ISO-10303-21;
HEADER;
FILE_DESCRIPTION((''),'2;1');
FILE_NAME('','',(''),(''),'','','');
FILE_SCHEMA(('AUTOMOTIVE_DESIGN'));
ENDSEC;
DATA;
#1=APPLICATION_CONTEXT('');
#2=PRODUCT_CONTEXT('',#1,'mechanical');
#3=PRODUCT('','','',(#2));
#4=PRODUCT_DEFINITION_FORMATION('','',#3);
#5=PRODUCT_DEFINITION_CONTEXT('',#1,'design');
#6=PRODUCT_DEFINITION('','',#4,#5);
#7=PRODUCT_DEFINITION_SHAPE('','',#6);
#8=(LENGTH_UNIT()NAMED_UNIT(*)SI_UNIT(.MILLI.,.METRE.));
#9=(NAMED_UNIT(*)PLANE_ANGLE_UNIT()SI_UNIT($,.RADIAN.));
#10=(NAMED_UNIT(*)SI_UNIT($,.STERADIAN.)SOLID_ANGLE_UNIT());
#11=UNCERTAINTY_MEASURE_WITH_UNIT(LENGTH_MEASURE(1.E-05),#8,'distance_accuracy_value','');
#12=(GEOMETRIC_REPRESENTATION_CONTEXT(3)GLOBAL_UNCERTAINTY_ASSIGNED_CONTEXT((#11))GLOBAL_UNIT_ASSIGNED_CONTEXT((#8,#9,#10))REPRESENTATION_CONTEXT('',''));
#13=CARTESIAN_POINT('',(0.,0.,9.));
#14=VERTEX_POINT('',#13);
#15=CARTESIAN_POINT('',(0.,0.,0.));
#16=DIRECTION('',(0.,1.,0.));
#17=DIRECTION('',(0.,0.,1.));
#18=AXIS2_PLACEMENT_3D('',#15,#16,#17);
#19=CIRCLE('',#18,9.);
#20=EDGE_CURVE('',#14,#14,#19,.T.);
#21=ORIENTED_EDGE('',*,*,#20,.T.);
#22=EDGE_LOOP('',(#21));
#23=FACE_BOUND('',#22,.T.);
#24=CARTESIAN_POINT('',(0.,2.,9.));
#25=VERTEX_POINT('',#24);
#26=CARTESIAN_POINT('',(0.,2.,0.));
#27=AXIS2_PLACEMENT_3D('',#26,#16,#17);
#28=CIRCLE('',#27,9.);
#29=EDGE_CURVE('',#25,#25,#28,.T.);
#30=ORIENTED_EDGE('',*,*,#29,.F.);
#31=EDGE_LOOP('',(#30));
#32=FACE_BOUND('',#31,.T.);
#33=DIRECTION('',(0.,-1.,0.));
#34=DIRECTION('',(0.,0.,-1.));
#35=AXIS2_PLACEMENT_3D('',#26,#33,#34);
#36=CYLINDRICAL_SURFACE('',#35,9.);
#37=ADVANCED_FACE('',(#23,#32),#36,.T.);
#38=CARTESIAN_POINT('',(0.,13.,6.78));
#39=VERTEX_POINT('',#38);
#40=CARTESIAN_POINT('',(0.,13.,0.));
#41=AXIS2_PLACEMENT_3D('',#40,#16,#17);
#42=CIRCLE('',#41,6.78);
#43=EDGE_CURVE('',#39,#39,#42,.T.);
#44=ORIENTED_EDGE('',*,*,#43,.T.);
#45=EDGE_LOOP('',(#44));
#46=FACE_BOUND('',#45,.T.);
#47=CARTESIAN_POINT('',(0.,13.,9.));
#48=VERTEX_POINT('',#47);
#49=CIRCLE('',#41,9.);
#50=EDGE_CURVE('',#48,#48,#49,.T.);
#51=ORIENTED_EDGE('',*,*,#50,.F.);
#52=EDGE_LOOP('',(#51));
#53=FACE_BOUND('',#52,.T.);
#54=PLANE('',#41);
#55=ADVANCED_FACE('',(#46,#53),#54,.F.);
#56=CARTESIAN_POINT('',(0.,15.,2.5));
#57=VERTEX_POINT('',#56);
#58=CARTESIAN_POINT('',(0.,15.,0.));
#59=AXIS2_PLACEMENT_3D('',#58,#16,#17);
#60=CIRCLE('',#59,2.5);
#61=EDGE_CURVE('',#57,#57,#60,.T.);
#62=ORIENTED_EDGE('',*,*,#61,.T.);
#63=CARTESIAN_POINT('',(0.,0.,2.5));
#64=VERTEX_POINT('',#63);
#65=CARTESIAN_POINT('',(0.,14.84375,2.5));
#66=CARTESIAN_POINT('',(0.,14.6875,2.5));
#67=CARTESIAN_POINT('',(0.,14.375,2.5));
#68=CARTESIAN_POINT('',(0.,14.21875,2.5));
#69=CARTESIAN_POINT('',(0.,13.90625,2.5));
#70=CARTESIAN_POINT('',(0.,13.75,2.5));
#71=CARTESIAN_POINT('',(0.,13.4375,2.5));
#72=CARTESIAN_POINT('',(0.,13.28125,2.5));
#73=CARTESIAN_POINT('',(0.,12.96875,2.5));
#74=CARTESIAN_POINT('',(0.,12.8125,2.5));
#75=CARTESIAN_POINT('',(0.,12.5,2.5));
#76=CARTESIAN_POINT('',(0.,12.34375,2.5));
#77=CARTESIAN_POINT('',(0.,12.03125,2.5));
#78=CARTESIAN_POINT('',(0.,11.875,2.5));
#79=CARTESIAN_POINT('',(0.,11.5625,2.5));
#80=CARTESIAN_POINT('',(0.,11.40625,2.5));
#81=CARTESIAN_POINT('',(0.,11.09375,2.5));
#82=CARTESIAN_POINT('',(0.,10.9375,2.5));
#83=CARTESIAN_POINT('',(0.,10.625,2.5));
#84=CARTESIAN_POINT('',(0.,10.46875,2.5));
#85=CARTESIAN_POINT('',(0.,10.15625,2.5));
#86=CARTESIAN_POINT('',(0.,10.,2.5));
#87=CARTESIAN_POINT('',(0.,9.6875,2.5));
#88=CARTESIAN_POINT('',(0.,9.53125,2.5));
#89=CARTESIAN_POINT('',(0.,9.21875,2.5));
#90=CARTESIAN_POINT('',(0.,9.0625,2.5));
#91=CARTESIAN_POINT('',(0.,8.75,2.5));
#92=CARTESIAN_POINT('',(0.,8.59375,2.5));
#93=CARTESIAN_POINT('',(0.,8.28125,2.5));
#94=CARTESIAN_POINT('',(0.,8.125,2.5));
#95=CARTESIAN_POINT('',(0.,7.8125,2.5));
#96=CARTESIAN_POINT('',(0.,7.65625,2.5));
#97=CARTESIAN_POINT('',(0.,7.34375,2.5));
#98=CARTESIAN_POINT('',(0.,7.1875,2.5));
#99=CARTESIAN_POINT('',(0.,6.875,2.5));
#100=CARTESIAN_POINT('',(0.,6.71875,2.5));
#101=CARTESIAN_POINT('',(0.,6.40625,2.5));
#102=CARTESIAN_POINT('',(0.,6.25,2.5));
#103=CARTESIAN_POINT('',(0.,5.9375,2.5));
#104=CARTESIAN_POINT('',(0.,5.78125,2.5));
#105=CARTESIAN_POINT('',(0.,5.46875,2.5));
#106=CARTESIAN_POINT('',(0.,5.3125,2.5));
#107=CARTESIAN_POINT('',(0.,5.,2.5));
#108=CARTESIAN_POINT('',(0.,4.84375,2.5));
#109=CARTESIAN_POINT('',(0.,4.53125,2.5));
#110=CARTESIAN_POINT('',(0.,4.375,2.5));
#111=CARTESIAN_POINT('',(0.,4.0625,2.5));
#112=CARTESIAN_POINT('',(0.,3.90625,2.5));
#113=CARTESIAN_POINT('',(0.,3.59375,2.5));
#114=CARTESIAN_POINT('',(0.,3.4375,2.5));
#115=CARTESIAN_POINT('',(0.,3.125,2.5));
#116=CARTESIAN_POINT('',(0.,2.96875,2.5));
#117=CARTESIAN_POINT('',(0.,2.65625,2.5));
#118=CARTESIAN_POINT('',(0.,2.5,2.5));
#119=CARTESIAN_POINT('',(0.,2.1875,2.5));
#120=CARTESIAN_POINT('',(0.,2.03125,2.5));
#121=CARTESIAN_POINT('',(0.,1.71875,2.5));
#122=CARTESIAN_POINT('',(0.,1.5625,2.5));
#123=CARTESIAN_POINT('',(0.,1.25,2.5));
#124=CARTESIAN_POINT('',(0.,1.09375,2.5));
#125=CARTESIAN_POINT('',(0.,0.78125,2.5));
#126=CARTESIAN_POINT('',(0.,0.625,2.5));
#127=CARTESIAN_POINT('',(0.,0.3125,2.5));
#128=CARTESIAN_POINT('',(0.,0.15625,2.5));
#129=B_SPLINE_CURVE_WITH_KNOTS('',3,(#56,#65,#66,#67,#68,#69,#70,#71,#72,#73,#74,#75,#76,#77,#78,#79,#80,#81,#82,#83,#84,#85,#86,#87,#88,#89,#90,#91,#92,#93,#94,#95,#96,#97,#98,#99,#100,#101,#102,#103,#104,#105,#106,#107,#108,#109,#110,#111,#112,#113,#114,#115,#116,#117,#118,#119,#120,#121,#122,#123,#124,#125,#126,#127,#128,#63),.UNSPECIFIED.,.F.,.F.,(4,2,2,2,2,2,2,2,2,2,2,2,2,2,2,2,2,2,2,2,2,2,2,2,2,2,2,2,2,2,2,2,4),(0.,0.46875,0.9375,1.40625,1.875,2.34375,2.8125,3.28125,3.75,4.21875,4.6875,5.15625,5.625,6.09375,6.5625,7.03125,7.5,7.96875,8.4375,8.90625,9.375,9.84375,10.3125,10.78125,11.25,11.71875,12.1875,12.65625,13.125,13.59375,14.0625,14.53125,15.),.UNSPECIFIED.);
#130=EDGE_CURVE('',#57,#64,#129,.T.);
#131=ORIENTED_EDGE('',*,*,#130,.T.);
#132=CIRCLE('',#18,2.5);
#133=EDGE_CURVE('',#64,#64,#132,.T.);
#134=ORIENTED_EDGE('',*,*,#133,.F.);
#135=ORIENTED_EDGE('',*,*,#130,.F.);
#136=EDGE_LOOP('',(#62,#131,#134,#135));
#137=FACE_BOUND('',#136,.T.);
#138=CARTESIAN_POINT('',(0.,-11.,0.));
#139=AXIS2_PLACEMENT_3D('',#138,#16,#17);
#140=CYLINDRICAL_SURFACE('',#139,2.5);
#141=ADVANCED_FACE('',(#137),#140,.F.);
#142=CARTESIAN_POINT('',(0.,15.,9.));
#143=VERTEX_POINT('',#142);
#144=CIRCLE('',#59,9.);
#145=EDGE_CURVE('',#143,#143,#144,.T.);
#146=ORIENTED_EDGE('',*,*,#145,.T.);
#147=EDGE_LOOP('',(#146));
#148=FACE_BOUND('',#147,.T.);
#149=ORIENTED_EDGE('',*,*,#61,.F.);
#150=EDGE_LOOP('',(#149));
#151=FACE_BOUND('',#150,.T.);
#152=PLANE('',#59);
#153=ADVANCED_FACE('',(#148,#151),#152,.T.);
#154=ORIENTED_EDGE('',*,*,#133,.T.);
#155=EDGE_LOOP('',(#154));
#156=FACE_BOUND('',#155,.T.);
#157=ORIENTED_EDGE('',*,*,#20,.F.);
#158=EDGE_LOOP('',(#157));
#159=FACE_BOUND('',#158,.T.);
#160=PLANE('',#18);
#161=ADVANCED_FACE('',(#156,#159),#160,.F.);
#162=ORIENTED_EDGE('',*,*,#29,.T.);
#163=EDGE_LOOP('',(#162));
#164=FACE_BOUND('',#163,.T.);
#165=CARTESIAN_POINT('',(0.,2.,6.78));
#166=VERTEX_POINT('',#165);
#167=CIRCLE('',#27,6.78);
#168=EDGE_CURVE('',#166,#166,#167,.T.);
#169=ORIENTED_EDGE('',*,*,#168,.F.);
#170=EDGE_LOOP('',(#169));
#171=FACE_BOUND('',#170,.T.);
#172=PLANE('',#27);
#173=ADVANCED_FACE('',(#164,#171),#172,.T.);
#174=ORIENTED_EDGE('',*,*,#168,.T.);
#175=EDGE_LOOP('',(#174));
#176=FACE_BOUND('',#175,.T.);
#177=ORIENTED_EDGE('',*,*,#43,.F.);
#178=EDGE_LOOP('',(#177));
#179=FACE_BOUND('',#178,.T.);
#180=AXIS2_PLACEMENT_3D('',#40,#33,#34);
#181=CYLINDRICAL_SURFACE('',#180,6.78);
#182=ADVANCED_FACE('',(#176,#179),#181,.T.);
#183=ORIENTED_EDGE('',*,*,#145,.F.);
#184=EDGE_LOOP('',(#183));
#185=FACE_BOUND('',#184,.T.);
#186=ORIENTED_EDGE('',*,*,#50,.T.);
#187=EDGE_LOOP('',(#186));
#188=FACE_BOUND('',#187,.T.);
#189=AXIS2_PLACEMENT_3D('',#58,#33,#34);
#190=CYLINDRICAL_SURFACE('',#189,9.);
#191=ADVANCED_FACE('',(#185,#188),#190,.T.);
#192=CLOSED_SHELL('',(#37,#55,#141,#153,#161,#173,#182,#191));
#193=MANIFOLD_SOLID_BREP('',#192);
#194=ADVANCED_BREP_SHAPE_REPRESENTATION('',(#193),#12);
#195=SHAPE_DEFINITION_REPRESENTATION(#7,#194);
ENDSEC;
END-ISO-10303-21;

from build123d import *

# Parameters (mm, degrees)
SKETCH_1_R          = 9
EXTRUDE_1_DEPTH     = 2
SKETCH_2_R          = 6.78
EXTRUDE_2_DEPTH     = 11
SKETCH_3_R          = 9
EXTRUDE_3_DEPTH     = 2
SKETCH_4_R          = 2.5
CUT_EXTRUDE_1_DEPTH = 26


with BuildPart() as part:
    # 草图1 → 凸台-拉伸1 (new body)
    with BuildSketch(Plane(origin=(0, 0, 0), x_dir=(1, 0, 0), z_dir=(0, 1, 0))):
        with Locations(Location((0, 0, 0), (0, 0, 270))):
            Circle(SKETCH_1_R)
    extrude(amount=EXTRUDE_1_DEPTH)

    # 草图2 → 凸台-拉伸2 (add)
    with BuildSketch(Plane(origin=(0, 2, 0), x_dir=(1, 0, 0), z_dir=(0, 1, 0))):
        with Locations(Location((0, 0, 0), (0, 0, 270))):
            Circle(SKETCH_2_R)
    extrude(amount=EXTRUDE_2_DEPTH)

    # 草图3 → 凸台-拉伸3 (add)
    with BuildSketch(Plane(origin=(0, 13, 0), x_dir=(1, 0, 0), z_dir=(0, 1, 0))):
        with Locations(Location((0, 0, 0), (0, 0, 270))):
            Circle(SKETCH_3_R)
    extrude(amount=EXTRUDE_3_DEPTH)

    # 草图4 → 切除-拉伸1 (cut)
    with BuildSketch(Plane(origin=(0, 15, 0), x_dir=(1, 0, 0), z_dir=(0, 1, 0))):
        with Locations(Location((0, 0, 0), (0, 0, 270))):
            Circle(SKETCH_4_R)
    extrude(amount=-CUT_EXTRUDE_1_DEPTH, mode=Mode.SUBTRACT)


solid = part.part
